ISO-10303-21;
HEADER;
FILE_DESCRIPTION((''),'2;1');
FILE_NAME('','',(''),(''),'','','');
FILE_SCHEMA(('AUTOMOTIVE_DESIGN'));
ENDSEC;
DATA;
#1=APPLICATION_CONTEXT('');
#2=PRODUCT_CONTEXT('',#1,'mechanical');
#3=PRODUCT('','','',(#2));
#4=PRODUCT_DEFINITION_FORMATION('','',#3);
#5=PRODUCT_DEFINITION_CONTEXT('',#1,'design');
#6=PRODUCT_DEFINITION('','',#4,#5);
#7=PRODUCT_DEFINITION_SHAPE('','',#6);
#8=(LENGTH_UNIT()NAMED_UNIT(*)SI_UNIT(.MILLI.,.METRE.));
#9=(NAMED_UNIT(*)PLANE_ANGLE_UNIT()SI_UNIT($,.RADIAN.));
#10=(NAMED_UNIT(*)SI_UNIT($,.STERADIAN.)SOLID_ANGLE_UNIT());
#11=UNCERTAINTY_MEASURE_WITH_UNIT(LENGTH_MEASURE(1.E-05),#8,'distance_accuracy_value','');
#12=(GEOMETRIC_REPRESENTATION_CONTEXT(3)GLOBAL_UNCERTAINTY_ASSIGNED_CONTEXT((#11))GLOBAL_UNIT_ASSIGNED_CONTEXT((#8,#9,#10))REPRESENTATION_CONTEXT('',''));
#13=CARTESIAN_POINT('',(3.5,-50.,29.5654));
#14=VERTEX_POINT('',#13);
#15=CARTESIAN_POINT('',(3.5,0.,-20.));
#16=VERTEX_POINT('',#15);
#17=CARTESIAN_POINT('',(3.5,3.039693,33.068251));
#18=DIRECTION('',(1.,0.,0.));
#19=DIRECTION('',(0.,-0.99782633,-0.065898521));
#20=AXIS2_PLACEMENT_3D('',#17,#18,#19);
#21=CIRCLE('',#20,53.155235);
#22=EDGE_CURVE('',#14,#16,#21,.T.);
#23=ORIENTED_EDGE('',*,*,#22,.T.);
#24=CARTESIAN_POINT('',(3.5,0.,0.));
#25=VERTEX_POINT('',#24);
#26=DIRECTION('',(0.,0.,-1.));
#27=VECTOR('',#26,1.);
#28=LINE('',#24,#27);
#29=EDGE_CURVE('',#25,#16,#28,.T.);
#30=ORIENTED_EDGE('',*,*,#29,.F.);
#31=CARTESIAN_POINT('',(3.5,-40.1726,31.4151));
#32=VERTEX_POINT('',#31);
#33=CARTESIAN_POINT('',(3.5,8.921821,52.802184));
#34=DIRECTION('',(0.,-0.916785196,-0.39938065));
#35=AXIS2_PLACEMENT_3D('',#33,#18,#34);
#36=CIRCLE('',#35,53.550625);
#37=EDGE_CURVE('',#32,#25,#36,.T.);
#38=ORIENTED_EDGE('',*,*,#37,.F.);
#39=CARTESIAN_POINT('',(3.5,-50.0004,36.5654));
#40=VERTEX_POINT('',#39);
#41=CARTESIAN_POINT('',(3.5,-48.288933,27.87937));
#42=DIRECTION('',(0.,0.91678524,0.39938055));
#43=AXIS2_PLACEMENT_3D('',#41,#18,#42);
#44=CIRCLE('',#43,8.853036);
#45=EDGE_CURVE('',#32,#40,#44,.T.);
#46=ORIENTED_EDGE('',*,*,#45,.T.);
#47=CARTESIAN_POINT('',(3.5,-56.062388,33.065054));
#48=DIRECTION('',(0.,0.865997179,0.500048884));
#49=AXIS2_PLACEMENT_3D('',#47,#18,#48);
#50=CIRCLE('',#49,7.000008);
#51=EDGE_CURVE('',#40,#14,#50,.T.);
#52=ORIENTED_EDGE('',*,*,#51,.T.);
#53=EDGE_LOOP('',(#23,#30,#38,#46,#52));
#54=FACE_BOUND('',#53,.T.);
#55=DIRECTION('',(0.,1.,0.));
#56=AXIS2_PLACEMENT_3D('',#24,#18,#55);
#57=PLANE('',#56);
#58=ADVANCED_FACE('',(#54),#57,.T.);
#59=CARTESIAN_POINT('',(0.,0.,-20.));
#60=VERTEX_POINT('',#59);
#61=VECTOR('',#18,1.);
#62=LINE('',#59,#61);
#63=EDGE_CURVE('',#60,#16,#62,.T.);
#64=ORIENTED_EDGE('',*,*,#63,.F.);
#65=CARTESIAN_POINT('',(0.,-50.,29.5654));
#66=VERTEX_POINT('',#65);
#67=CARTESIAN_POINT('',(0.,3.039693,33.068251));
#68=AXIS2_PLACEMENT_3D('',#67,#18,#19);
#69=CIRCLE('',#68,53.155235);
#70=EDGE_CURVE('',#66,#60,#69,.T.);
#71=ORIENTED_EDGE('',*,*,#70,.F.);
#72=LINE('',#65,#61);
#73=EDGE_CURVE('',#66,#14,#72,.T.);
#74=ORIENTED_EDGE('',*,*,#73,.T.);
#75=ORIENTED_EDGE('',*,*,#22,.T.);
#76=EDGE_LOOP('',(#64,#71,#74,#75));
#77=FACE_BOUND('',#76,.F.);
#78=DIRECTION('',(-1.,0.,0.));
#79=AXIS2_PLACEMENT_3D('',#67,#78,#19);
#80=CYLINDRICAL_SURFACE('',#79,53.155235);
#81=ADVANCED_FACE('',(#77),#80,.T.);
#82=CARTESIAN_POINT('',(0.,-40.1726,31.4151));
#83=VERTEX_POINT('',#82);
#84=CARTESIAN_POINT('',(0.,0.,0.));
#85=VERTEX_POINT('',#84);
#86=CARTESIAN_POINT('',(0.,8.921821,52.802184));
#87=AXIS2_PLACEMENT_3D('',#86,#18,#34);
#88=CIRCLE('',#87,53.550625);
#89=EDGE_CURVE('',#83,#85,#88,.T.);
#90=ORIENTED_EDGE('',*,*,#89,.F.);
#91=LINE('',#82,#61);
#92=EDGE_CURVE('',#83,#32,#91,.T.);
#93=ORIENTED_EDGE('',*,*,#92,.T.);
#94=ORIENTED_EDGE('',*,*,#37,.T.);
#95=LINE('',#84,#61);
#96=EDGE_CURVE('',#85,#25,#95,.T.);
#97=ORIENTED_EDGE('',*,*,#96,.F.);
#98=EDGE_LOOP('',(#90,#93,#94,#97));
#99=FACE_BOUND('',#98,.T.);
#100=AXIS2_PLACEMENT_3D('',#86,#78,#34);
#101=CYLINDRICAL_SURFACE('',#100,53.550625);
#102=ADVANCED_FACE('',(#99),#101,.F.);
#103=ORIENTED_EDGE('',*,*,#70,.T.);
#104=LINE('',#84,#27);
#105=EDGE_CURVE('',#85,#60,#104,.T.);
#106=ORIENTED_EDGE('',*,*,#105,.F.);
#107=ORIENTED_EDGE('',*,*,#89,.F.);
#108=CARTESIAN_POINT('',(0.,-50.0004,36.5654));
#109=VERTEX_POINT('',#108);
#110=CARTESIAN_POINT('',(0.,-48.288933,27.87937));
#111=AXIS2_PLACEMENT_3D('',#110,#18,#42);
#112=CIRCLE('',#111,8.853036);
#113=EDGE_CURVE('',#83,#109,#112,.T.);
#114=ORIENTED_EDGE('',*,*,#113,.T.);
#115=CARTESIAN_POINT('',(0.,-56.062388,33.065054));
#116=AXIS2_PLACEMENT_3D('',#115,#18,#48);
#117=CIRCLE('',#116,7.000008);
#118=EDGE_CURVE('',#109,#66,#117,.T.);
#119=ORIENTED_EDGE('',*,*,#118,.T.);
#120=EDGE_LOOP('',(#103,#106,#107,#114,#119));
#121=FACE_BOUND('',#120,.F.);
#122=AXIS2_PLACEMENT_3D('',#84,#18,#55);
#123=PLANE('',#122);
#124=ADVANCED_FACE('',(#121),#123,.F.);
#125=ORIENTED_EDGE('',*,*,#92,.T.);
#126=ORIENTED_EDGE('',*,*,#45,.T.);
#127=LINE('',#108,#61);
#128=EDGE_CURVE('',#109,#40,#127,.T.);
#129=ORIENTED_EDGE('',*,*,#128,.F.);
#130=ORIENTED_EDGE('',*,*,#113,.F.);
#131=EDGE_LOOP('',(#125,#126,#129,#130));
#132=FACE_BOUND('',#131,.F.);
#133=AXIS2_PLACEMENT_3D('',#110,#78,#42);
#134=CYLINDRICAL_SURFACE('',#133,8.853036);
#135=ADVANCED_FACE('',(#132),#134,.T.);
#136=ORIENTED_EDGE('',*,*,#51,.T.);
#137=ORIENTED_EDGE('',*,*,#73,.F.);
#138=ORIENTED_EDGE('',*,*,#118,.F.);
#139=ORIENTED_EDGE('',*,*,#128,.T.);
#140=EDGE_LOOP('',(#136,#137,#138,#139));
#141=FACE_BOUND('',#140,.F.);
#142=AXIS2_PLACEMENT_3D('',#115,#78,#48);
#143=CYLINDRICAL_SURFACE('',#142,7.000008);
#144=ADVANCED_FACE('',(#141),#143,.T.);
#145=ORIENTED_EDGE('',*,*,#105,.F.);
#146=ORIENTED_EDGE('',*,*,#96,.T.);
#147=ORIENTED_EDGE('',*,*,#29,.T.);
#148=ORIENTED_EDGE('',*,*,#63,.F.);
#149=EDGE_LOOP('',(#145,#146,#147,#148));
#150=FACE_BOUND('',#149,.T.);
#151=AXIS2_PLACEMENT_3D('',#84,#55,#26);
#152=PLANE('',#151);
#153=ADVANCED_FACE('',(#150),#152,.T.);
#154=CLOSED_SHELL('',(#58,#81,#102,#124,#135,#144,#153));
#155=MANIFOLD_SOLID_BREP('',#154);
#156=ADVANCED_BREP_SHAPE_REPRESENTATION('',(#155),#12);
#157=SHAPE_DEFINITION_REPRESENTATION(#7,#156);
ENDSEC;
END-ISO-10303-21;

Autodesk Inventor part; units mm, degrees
ref_plane "YZ Plane" through (0, 0, 0) normal (1, 0, 0) x (0, 1, 0)
ref_plane "XZ Plane" through (0, 0, 0) normal (0, 1, 0) x (-1, 0, 0)
ref_plane "XY Plane" through (0, 0, 0) normal (0, 0, 1) x (1, 0, 0)
sketch "Sketch1" plane through (0, 0, 0) normal (1, 0, 0) x (0, 1, 0)
  line L0 (0, 0) -> (0, -20)
  line L1 (0, 0) -> (20, 0) construction
  arc A0 (-50, 29.5654) -> (0, -20) centre (3.0398, 33.0683) ccw
  arc A1 (-40.1726, 31.4151) -> (0, 0) centre (8.9221, 52.8024) ccw
  arc A2 (-40.1726, 31.4151) -> (-50.0004, 36.5654) centre (-48.2889, 27.8794) ccw
  arc A3 (-50.0004, 36.5654) -> (-50, 29.5654) centre (-56.0624, 33.0651) ccw
  dimension "d0" = 20
  dimension "d1" = 90
  dimension "d2" = 50
  dimension "d3" = 10
  dimension "d5" = 7
  dimension "d6" = 7
extrude "Extrusion1" add sketch "Sketch1" along normal blind 3.5
properties part number "leg"
